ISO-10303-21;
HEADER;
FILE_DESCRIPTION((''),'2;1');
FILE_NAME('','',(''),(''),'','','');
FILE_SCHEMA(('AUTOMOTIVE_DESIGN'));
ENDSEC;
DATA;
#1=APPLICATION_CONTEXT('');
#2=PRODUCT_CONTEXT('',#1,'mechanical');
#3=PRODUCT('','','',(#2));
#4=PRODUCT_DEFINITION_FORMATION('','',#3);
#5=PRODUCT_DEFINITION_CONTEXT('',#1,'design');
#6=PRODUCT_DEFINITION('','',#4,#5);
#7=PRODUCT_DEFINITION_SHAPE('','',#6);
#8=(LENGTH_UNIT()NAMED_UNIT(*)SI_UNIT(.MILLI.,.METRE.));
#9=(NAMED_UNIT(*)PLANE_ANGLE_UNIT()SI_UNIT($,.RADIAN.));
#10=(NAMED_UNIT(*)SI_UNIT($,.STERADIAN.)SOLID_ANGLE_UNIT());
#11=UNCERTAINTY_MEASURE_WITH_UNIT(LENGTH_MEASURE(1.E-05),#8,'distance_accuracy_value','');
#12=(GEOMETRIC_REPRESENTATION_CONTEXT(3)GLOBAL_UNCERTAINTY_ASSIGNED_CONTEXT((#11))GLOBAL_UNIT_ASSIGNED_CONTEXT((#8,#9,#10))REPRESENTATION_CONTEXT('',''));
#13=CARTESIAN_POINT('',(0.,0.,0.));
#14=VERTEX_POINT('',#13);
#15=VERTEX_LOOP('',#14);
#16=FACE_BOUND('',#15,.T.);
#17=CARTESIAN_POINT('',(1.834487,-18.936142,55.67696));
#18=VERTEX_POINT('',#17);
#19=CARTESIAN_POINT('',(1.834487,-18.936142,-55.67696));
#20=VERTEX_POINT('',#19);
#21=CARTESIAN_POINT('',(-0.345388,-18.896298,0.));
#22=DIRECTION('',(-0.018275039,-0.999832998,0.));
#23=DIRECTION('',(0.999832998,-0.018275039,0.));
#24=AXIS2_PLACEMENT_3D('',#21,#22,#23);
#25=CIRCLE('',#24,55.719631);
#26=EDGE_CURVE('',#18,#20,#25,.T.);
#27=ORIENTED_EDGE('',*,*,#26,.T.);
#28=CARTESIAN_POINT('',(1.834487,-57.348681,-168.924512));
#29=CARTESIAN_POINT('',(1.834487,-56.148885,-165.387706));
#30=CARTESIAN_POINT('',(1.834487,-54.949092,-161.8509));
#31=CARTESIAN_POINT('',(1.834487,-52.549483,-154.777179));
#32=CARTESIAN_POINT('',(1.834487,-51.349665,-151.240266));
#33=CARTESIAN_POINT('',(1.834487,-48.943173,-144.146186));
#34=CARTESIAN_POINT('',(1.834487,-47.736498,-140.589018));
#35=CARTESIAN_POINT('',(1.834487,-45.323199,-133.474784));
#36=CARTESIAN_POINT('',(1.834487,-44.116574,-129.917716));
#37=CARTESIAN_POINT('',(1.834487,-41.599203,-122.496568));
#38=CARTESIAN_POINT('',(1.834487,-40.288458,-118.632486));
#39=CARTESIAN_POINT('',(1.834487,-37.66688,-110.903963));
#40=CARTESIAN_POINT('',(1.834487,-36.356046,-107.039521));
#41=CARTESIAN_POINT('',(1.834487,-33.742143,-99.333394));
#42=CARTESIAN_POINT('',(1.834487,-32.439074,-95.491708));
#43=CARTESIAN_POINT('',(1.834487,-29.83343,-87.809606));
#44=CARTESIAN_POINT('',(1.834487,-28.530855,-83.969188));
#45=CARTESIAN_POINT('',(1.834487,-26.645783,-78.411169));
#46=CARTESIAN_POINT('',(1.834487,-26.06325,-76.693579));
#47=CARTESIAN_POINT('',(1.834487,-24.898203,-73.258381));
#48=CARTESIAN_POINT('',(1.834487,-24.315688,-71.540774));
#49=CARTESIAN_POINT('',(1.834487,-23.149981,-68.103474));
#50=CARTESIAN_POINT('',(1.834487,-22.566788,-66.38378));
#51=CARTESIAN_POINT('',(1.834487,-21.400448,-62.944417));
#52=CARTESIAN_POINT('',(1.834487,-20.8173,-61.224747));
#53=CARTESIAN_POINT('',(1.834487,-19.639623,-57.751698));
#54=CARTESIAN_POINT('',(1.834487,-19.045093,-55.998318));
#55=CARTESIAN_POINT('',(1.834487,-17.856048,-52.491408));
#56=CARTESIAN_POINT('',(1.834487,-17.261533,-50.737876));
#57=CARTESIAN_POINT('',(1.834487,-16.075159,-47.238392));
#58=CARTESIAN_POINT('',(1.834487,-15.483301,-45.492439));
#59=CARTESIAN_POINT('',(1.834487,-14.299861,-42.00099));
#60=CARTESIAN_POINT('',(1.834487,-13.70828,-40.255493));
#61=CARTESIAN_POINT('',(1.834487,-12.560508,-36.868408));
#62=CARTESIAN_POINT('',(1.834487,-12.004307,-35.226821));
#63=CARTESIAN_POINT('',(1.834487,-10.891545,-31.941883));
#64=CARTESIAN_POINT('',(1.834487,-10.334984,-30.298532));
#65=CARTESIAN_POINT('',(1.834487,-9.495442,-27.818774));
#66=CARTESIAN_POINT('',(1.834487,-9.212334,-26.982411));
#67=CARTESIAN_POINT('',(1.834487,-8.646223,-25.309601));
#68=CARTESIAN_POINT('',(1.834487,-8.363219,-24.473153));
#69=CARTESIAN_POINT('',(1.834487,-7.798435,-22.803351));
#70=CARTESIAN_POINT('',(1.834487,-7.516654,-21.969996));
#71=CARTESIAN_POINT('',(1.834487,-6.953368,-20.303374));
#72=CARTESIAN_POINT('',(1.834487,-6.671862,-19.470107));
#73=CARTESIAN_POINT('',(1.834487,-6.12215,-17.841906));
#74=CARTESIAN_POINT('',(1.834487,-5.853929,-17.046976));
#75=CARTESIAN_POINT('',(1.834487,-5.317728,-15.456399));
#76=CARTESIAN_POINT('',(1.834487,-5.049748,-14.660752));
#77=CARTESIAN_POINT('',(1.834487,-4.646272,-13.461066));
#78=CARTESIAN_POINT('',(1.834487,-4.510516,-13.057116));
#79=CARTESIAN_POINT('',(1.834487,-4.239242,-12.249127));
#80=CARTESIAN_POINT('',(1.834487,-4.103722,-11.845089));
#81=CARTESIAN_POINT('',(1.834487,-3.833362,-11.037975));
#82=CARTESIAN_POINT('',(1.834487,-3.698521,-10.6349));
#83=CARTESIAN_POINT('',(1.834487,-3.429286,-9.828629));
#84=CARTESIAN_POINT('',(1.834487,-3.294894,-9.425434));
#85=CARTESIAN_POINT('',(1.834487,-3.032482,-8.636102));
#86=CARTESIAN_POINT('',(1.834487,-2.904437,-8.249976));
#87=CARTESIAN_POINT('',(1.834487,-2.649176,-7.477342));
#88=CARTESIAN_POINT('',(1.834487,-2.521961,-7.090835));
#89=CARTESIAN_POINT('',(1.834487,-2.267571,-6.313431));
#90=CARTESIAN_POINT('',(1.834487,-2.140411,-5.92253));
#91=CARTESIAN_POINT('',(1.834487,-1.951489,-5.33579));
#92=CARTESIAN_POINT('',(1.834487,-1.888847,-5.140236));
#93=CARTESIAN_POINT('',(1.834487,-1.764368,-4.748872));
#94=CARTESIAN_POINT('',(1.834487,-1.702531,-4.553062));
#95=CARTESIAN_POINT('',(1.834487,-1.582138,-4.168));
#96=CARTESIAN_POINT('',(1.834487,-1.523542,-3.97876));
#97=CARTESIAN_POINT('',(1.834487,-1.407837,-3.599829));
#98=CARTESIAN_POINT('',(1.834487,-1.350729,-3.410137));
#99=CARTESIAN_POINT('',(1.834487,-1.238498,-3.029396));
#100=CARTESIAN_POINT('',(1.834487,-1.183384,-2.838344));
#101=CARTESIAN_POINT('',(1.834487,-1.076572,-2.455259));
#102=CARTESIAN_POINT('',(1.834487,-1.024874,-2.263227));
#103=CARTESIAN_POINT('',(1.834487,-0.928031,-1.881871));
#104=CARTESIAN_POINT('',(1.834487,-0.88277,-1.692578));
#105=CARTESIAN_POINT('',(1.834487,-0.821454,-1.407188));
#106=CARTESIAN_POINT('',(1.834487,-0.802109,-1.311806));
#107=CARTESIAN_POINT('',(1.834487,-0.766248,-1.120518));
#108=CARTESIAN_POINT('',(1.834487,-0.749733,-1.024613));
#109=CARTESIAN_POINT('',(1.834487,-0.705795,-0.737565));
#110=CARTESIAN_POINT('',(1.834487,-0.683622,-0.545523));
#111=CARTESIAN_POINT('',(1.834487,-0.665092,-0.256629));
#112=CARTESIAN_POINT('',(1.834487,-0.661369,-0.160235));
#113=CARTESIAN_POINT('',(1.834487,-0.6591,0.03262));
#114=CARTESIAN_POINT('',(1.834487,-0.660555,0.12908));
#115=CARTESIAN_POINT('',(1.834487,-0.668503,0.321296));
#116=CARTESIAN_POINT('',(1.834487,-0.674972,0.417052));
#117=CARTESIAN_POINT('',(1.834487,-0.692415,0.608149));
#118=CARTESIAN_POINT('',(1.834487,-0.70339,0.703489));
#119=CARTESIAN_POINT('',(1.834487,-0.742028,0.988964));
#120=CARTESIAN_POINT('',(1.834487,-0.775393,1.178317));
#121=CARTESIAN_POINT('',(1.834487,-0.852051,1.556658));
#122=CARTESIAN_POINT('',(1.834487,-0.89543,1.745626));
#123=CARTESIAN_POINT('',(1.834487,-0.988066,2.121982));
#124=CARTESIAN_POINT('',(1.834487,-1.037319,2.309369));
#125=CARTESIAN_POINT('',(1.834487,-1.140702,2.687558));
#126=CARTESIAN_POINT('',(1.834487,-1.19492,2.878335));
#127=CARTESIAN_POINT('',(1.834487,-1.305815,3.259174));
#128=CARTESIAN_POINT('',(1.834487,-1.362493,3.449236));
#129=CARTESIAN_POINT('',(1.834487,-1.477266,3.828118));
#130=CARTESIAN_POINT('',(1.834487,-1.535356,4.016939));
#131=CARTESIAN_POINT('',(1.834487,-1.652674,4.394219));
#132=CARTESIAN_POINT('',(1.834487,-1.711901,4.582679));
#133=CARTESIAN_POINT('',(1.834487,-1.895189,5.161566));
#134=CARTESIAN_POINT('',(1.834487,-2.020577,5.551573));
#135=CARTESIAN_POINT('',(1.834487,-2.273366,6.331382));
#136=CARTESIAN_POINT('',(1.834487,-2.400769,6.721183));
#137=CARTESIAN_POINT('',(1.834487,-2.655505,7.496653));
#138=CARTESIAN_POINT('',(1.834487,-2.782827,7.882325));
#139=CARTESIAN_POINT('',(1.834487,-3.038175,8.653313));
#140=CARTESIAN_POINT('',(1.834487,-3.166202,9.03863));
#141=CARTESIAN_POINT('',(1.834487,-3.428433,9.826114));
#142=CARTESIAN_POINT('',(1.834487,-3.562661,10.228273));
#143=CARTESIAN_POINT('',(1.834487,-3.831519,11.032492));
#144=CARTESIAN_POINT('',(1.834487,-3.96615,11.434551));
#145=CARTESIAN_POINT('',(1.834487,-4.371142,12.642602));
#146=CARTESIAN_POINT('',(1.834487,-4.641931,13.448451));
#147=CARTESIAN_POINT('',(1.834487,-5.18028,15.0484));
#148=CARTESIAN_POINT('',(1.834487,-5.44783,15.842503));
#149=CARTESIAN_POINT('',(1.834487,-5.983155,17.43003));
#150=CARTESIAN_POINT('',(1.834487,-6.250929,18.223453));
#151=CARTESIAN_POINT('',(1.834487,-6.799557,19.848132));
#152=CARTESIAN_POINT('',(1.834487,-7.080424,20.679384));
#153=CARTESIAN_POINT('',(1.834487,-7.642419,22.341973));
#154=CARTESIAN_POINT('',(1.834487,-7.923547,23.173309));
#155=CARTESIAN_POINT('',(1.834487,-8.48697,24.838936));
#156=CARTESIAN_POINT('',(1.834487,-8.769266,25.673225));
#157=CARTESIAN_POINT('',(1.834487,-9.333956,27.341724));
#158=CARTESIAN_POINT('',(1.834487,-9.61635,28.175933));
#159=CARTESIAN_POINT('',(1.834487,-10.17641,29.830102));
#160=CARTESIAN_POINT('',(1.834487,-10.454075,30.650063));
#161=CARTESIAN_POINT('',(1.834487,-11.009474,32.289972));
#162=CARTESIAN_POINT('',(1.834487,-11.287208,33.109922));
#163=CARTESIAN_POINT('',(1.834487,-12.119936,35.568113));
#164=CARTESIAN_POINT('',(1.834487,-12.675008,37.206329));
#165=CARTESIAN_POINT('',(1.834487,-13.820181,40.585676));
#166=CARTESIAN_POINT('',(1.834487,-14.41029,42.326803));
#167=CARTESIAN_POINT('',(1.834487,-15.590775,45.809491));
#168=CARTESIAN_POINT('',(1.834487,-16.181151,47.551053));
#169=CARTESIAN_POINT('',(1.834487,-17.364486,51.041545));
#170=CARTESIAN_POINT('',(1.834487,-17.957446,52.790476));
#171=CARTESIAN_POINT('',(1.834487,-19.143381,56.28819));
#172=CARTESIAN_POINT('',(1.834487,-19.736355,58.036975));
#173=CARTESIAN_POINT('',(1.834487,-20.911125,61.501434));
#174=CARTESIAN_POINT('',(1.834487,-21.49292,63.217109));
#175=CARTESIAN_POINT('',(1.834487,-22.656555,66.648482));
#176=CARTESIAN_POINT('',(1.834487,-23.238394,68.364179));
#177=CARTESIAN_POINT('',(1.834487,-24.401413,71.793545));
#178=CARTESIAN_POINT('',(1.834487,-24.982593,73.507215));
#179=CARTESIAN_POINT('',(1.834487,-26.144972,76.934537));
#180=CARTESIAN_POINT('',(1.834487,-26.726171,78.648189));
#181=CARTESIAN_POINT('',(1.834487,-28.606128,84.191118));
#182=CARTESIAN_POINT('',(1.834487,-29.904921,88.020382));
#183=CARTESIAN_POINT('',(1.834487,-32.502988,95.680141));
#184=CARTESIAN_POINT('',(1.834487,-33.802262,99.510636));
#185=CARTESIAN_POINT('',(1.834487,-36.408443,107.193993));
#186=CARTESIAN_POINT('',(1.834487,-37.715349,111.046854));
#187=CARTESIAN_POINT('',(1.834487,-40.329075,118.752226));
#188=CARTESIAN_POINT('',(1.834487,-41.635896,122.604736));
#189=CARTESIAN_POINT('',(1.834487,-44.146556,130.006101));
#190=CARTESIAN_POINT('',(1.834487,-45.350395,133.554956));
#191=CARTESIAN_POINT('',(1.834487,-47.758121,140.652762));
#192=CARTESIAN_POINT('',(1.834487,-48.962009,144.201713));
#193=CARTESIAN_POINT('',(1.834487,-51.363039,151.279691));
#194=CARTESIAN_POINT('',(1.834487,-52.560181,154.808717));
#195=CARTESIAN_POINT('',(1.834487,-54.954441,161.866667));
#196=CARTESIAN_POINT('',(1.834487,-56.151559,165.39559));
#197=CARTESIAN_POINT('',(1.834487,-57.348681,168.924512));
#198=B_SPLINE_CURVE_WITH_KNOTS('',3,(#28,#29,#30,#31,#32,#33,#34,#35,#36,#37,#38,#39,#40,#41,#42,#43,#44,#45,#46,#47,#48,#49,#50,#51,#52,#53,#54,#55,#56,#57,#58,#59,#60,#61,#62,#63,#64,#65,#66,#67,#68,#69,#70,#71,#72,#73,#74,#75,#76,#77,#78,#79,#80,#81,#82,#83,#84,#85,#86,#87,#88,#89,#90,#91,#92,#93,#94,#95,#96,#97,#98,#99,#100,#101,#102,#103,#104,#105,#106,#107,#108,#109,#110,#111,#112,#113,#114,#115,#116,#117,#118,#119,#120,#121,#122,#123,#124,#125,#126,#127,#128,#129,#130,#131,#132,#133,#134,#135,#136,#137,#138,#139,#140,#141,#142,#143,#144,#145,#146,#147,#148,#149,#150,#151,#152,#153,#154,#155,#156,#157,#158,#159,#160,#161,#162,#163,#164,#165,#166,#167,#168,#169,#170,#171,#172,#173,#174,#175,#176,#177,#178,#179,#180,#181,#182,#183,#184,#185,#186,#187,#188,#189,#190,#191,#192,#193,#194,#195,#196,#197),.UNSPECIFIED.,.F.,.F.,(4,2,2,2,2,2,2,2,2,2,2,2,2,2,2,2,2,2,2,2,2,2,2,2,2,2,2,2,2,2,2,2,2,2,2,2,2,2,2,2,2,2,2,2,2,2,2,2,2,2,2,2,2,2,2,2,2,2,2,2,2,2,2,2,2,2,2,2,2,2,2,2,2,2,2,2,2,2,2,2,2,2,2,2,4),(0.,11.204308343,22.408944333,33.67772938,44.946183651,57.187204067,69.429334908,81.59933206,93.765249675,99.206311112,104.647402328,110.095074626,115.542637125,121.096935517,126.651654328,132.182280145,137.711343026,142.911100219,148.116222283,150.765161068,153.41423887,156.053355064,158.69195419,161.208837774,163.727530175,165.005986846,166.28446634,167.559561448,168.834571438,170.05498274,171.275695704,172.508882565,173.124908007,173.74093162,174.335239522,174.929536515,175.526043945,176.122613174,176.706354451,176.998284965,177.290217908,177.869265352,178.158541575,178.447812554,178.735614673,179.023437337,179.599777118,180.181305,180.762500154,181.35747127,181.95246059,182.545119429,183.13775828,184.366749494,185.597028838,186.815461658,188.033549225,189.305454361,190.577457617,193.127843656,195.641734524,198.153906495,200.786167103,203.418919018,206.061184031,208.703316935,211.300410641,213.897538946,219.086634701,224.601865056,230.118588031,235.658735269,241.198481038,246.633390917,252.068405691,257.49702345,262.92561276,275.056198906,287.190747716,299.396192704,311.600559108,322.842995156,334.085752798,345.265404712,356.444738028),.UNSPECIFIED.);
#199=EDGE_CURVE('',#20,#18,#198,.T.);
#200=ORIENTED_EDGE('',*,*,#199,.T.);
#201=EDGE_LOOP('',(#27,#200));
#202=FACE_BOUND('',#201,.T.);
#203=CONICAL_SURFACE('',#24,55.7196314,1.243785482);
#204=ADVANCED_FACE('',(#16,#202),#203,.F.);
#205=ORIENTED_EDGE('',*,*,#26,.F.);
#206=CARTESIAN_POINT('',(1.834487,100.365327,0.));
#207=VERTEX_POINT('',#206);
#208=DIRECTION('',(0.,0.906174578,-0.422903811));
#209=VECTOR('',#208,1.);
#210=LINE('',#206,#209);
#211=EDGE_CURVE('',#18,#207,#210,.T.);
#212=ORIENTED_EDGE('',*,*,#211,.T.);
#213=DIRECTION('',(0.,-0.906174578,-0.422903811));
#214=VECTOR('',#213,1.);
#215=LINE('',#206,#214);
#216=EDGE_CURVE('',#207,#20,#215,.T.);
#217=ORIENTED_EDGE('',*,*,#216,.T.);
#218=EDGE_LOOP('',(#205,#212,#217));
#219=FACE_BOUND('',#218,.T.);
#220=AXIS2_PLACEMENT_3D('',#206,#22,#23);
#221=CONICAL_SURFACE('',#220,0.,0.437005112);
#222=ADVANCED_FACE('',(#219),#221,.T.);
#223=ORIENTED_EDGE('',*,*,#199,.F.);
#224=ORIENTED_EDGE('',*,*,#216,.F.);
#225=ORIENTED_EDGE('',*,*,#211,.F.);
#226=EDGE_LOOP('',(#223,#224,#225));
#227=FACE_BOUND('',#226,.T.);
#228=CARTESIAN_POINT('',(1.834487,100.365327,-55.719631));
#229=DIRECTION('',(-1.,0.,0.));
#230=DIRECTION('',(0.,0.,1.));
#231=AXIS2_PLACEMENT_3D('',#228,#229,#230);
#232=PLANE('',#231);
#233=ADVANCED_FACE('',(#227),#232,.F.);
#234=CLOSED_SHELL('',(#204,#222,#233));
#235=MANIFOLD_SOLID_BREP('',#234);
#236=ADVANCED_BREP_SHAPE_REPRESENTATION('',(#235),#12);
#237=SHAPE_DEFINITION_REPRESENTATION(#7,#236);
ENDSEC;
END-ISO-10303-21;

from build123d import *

# Parameters (mm, degrees)
CUT_EXTRUDE2_DEPTH      = 128.750222463
CUT_EXTRUDE2_DEPTH_BACK = 128.750222463


with BuildPart() as part:
    # Sketch1 → Revolve2 (revolve)
    with BuildSketch(Plane.XY, mode=Mode.PRIVATE) as revolve2_sk:
        Polygon((1.83448668, 100.365327204), (-56.055714348, -17.878019084), (0, 0), align=None)
    revolve(revolve2_sk.sketch.rotate(Axis((0, 0, 0), (0.01827503947467049, 0.9998329975211857, 0)), 180), axis=Axis((0, 0, 0), (0.01827503947467049, 0.9998329975211857, 0)))

    # Sketch4 → Cut-Extrude2 (cut, two sides: drawn at the far end of the back side and taken through both)
    with BuildSketch(Plane.XY.offset(-CUT_EXTRUDE2_DEPTH_BACK)):
        Polygon((1.83448668, 100.365327204), (1.83448668, -33.113134912), (93.280770059, -23.608140786), (67.90487647, 121.287495173), (19.689198564, 148.669077991), (11.914226706, 134.978286582), align=None)
    extrude(amount=CUT_EXTRUDE2_DEPTH + CUT_EXTRUDE2_DEPTH_BACK, mode=Mode.SUBTRACT)


solid = part.part
